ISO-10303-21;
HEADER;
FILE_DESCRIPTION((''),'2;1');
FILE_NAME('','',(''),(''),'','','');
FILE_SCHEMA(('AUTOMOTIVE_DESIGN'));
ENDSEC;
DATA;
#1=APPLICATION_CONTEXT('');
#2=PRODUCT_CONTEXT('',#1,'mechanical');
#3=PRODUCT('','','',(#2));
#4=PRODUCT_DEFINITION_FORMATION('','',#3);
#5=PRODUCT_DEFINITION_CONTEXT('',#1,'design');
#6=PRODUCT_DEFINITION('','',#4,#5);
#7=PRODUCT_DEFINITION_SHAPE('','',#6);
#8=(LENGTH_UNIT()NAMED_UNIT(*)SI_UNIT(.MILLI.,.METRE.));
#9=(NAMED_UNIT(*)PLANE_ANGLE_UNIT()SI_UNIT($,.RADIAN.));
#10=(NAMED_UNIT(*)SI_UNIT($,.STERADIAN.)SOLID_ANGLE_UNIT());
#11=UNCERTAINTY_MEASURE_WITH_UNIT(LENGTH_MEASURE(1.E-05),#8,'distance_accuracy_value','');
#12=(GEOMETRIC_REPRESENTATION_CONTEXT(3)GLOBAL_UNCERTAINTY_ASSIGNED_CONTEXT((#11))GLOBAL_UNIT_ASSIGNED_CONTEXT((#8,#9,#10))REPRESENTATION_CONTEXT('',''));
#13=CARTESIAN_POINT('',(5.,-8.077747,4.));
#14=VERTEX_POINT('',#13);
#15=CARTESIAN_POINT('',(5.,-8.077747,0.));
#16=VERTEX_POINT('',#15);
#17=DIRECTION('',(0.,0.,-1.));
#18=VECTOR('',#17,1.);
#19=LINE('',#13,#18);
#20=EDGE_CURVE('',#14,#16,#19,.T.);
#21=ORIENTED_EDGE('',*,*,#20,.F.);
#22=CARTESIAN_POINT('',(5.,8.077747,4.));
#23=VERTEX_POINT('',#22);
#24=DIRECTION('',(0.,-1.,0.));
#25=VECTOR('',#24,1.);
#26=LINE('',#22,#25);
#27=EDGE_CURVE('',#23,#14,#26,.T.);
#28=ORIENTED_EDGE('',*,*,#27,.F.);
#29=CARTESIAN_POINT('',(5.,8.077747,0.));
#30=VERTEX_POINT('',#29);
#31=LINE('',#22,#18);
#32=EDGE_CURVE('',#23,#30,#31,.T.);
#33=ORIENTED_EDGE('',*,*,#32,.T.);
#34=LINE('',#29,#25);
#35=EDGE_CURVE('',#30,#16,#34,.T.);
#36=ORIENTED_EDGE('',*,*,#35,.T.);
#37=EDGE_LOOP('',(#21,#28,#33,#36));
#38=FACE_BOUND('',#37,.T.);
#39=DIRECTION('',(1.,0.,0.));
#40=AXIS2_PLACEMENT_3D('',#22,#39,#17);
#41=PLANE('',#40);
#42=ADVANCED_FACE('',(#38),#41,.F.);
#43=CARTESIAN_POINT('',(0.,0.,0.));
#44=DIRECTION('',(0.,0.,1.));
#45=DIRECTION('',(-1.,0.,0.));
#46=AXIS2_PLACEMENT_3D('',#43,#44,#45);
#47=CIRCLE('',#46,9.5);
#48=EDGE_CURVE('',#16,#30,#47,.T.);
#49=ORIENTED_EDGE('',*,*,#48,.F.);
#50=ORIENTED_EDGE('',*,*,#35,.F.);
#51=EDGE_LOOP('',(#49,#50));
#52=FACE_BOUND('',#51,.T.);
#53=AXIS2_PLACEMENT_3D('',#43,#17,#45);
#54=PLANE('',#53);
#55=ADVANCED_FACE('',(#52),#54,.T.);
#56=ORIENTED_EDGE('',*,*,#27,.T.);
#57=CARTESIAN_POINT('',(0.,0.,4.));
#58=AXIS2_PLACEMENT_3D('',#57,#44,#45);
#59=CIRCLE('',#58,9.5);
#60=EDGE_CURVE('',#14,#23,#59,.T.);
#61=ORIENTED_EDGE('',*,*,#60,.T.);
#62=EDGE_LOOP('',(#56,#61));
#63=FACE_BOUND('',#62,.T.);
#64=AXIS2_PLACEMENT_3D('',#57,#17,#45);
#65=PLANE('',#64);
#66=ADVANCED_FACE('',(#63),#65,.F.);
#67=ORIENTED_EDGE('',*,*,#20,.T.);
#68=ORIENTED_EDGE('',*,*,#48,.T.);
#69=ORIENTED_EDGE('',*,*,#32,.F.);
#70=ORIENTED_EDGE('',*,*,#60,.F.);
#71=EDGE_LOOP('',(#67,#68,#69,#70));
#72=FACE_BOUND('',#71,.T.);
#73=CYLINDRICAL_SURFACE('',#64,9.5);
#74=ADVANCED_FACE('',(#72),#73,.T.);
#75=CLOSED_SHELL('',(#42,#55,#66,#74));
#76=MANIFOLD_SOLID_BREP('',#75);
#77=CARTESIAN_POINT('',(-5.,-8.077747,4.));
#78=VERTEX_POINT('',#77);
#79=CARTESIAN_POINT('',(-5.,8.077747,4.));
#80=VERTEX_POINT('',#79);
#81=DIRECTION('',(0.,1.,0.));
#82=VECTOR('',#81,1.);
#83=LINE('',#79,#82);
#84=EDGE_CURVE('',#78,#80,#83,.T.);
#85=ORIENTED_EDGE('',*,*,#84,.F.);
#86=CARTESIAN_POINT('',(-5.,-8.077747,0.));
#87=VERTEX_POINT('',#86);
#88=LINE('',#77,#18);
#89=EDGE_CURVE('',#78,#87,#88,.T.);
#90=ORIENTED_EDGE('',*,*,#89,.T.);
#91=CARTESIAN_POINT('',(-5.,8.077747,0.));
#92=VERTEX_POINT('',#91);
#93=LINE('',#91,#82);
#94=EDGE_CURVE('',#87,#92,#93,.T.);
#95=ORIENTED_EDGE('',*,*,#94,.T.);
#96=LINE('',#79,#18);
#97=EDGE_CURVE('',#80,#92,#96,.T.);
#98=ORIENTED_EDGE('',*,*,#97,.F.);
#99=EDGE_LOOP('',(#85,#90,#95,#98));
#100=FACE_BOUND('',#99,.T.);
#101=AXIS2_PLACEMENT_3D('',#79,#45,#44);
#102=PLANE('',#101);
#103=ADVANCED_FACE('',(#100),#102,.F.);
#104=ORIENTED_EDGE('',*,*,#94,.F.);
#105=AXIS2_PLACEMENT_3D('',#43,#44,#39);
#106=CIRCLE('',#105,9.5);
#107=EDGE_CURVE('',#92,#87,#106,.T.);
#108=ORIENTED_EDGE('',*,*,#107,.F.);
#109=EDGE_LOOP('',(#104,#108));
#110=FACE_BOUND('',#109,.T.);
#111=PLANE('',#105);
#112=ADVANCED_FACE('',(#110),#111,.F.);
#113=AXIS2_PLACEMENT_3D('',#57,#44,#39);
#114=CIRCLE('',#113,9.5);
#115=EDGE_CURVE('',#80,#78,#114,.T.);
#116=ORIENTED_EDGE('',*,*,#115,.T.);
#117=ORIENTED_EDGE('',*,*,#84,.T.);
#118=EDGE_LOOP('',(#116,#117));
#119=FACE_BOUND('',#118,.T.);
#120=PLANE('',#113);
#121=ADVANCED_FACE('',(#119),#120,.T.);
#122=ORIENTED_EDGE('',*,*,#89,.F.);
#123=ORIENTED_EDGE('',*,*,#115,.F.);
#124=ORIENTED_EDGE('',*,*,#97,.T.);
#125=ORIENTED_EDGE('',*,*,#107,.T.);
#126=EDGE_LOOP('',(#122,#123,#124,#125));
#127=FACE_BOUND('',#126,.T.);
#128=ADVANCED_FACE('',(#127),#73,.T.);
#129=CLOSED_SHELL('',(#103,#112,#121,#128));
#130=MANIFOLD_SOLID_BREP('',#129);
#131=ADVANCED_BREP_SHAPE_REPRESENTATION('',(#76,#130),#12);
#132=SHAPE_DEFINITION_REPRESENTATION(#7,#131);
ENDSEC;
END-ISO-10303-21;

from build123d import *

# Parameters (mm, degrees)
BOSS_EXTRUDE1_DEPTH   = 4
BOSS_EXTRUDE1_2_DEPTH = 4


with BuildPart() as part:
    # Sketch1 → Boss-Extrude1 (new body)
    with BuildSketch(Plane.XY):
        with BuildLine():
            Line((-5, 8.077747211), (-5, -8.077747211))
            ThreePointArc((-5, -8.077747211), (-9.5, 0), (-5, 8.077747211))
        make_face()
    extrude(amount=BOSS_EXTRUDE1_DEPTH)


with BuildPart() as body_2:
    # Sketch1 → Boss-Extrude1 2 (new body)
    with BuildSketch(Plane.XY):
        with BuildLine():
            Line((5, 8.077747211), (5, -8.077747211))
            ThreePointArc((5, -8.077747211), (9.5, 0), (5, 8.077747211))
        make_face()
    extrude(amount=BOSS_EXTRUDE1_2_DEPTH)


solid = Compound([part.part, body_2.part])
